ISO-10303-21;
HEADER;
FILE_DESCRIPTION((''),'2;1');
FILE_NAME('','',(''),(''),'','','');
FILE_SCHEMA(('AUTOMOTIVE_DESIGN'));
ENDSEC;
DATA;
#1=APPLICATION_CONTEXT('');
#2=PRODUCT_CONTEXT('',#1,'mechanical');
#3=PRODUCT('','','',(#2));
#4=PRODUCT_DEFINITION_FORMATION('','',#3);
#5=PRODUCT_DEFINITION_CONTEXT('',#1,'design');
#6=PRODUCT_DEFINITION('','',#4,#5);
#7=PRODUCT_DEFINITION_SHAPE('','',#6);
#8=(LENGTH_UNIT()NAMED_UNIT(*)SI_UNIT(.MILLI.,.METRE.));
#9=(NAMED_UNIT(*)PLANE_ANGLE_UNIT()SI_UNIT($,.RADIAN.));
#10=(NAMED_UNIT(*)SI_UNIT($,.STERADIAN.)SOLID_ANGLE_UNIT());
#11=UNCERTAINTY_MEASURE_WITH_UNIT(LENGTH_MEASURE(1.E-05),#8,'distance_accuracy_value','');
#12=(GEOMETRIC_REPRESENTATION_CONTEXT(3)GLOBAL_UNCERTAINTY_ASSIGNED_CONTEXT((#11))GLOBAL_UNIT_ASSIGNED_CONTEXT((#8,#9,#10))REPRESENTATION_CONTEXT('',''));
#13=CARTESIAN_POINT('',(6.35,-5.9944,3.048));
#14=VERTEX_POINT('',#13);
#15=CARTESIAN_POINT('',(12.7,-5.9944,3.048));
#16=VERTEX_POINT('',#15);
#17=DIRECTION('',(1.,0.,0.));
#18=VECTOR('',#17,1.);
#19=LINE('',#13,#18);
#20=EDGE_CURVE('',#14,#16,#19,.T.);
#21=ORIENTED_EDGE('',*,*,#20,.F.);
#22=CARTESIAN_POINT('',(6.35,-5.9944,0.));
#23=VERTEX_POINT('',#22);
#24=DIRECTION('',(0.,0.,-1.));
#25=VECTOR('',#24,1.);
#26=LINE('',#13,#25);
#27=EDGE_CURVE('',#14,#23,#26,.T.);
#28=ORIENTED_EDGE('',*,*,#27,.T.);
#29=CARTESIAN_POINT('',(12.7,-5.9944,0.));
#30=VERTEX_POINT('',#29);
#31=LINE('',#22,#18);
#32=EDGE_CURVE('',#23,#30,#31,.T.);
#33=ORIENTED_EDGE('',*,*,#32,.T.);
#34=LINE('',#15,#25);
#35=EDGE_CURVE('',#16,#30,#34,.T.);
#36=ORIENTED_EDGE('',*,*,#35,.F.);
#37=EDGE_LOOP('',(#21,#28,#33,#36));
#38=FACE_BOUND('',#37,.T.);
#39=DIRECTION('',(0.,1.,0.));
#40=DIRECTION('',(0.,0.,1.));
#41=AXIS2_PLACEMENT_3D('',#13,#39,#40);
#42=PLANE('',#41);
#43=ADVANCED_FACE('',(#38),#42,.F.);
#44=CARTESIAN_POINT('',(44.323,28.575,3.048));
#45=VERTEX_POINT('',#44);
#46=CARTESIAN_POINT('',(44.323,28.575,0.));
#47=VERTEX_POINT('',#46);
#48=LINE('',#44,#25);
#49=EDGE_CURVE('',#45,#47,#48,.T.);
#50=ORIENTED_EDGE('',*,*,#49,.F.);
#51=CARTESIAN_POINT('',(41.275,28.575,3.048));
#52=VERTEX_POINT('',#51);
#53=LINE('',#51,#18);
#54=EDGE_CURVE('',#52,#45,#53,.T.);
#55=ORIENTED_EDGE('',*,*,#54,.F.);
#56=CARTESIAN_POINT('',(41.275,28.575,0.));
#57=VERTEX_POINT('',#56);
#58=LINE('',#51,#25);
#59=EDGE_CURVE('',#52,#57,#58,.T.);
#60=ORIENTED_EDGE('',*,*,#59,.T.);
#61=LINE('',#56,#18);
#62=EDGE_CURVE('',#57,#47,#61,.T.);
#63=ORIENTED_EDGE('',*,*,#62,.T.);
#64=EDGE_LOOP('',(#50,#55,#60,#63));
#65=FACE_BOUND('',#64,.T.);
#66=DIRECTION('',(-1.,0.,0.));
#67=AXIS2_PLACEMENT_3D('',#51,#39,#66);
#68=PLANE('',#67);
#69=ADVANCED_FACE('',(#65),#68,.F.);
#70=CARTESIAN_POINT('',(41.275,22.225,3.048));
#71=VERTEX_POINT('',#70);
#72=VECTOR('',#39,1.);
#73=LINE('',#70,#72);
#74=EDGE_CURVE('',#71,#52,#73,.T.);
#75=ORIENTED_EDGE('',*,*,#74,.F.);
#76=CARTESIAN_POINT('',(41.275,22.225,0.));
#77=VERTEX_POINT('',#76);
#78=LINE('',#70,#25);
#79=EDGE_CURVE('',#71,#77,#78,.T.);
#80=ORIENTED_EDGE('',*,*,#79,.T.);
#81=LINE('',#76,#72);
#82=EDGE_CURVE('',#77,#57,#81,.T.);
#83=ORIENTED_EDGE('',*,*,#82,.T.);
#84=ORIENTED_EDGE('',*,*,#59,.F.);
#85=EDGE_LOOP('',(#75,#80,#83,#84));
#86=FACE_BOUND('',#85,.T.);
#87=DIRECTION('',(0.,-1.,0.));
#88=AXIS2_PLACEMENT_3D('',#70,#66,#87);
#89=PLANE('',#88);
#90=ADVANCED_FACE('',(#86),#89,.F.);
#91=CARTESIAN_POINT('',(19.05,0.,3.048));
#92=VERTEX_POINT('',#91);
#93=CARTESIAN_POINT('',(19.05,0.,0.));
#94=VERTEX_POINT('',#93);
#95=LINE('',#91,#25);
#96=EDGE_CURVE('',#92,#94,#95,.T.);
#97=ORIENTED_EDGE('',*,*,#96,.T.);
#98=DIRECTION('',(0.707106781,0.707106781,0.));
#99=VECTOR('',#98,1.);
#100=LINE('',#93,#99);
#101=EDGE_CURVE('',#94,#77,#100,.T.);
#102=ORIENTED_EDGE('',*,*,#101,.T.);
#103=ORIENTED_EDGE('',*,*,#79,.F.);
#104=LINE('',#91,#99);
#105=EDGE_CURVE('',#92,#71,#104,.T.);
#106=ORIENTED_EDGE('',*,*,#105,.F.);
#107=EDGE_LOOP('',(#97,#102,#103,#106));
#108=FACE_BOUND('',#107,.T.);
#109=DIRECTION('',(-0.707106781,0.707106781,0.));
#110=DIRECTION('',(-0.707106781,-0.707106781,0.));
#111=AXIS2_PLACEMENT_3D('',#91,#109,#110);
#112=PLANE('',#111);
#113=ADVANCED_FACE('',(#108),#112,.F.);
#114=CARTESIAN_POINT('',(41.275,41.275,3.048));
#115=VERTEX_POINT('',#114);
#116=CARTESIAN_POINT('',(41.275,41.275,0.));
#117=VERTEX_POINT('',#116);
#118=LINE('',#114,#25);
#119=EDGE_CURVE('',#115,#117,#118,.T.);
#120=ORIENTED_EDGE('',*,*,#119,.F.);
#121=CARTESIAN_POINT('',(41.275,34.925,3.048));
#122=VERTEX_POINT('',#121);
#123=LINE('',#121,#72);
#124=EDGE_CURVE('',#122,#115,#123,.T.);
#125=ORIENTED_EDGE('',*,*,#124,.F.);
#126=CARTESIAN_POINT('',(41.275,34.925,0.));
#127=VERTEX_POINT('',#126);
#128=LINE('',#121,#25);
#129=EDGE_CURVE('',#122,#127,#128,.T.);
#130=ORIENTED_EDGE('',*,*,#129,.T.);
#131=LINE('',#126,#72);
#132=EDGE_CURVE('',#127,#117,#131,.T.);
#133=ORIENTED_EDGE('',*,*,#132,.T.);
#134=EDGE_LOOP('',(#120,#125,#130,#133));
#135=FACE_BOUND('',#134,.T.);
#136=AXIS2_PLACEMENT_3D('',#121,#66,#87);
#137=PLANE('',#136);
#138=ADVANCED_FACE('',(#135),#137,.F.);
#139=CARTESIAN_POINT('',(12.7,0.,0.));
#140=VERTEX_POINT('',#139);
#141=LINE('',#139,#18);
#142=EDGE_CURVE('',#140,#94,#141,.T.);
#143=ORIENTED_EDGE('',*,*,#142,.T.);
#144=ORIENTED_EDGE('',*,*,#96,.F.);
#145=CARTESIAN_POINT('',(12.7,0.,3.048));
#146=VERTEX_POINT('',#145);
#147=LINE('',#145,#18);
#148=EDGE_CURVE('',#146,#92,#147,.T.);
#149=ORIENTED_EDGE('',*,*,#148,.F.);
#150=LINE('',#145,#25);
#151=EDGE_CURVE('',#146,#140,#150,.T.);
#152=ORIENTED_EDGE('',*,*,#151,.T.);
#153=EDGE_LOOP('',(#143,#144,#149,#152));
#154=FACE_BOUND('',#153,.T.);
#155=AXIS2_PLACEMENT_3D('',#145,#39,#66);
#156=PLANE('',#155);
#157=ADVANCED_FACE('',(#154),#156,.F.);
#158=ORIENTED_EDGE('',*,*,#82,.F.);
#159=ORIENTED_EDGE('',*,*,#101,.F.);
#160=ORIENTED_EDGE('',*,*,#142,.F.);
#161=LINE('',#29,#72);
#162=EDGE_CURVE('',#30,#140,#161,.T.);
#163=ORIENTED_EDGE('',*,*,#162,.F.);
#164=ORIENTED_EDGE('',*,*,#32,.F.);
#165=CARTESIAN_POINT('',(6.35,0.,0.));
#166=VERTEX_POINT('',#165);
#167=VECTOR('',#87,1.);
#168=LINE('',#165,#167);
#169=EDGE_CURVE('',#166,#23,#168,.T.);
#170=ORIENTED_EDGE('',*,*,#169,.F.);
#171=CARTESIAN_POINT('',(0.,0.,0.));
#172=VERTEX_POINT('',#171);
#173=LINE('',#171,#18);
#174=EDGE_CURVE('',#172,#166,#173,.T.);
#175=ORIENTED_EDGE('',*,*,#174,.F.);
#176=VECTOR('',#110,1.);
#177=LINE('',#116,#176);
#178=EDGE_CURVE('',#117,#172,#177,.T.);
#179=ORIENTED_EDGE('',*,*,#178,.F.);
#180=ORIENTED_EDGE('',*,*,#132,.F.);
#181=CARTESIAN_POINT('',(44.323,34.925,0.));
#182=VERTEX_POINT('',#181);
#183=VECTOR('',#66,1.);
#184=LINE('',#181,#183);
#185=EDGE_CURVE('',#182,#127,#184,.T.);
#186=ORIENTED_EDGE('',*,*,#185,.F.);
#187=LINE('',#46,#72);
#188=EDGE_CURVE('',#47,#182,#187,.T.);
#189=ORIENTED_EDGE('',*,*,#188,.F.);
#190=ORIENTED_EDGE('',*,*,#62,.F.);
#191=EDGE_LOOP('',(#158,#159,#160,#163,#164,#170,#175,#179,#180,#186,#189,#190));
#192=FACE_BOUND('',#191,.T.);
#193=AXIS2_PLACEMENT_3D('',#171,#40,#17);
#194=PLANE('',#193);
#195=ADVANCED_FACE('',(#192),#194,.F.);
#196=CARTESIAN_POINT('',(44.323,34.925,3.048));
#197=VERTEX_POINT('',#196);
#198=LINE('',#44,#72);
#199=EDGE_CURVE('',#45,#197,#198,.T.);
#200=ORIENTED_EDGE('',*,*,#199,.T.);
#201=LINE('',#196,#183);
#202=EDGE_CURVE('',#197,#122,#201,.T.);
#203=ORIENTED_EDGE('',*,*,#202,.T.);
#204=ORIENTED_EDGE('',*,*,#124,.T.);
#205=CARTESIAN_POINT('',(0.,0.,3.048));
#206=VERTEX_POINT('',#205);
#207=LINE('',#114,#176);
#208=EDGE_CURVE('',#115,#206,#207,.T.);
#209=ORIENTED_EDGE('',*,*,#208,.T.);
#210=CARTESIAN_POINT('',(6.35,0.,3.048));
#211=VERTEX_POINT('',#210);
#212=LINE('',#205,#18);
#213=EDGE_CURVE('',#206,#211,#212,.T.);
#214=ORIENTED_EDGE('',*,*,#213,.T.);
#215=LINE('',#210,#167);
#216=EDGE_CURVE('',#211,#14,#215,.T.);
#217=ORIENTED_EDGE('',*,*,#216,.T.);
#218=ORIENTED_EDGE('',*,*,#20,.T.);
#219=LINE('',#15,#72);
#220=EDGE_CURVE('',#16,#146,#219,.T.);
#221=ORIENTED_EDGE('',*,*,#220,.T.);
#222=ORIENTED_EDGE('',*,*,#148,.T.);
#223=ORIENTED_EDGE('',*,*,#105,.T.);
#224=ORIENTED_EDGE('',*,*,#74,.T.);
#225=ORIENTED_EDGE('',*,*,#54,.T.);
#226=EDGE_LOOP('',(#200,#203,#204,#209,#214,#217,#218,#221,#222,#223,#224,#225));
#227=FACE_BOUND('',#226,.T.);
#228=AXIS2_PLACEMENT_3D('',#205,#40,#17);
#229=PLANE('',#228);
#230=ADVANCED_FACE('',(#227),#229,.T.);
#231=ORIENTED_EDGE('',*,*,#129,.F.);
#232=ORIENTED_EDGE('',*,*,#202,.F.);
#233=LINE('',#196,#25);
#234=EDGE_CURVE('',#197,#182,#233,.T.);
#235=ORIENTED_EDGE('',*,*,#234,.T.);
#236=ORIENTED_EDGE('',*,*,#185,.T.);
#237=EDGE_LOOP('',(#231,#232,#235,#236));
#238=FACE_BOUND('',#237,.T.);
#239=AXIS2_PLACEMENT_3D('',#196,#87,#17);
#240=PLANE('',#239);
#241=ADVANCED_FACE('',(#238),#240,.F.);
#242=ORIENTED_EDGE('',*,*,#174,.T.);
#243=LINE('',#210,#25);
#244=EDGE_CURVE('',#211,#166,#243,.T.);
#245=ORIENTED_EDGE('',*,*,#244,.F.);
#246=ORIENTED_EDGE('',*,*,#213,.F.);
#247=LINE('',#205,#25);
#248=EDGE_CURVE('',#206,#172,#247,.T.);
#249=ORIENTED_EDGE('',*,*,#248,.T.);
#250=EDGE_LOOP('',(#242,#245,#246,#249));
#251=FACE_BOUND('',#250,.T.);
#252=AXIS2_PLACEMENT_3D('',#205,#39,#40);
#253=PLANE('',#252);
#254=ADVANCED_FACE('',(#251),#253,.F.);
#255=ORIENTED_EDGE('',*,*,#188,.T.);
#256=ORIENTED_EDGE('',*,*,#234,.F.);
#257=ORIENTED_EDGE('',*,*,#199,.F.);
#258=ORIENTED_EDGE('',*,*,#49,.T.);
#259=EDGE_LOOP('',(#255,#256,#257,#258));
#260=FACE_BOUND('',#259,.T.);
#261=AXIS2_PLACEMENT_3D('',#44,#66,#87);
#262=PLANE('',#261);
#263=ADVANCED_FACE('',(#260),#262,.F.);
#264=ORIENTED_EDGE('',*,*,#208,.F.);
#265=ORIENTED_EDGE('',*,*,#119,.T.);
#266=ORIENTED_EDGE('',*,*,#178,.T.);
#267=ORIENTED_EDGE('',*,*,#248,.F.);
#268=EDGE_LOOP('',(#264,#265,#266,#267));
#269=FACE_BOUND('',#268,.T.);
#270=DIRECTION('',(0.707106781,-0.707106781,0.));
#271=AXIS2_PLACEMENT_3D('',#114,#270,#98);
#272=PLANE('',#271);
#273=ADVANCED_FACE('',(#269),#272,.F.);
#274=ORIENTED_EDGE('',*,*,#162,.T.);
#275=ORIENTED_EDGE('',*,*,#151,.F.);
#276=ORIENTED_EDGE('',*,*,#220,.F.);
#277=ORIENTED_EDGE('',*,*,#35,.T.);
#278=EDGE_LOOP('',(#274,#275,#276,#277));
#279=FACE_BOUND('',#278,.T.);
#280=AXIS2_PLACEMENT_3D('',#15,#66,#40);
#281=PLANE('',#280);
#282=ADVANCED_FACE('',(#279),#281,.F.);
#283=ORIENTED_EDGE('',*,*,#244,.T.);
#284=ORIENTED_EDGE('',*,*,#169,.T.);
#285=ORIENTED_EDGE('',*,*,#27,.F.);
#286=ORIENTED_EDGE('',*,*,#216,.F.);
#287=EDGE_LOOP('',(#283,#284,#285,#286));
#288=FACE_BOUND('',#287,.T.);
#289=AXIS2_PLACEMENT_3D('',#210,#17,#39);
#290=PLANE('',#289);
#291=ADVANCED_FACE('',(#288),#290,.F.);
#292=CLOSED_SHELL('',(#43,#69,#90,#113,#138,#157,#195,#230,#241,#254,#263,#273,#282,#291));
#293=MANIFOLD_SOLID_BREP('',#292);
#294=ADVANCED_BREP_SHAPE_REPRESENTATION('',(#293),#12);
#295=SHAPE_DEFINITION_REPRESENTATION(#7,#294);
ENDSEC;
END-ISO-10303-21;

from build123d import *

# Parameters (mm, degrees)
BOSS_EXTRUDE1_DEPTH = 3.048


with BuildPart() as part:
    # Sketch1 → Boss-Extrude1 (new body)
    with BuildSketch(Plane.XY):
        Polygon((0, 0), (6.35, 0), (6.35, -5.9944), (12.7, -5.9944), (12.7, 0), (19.05, 0), (41.275, 22.225), (41.275, 28.575), (44.323, 28.575), (44.323, 34.925), (41.275, 34.925), (41.275, 41.275), align=None)
    extrude(amount=BOSS_EXTRUDE1_DEPTH)


solid = part.part
